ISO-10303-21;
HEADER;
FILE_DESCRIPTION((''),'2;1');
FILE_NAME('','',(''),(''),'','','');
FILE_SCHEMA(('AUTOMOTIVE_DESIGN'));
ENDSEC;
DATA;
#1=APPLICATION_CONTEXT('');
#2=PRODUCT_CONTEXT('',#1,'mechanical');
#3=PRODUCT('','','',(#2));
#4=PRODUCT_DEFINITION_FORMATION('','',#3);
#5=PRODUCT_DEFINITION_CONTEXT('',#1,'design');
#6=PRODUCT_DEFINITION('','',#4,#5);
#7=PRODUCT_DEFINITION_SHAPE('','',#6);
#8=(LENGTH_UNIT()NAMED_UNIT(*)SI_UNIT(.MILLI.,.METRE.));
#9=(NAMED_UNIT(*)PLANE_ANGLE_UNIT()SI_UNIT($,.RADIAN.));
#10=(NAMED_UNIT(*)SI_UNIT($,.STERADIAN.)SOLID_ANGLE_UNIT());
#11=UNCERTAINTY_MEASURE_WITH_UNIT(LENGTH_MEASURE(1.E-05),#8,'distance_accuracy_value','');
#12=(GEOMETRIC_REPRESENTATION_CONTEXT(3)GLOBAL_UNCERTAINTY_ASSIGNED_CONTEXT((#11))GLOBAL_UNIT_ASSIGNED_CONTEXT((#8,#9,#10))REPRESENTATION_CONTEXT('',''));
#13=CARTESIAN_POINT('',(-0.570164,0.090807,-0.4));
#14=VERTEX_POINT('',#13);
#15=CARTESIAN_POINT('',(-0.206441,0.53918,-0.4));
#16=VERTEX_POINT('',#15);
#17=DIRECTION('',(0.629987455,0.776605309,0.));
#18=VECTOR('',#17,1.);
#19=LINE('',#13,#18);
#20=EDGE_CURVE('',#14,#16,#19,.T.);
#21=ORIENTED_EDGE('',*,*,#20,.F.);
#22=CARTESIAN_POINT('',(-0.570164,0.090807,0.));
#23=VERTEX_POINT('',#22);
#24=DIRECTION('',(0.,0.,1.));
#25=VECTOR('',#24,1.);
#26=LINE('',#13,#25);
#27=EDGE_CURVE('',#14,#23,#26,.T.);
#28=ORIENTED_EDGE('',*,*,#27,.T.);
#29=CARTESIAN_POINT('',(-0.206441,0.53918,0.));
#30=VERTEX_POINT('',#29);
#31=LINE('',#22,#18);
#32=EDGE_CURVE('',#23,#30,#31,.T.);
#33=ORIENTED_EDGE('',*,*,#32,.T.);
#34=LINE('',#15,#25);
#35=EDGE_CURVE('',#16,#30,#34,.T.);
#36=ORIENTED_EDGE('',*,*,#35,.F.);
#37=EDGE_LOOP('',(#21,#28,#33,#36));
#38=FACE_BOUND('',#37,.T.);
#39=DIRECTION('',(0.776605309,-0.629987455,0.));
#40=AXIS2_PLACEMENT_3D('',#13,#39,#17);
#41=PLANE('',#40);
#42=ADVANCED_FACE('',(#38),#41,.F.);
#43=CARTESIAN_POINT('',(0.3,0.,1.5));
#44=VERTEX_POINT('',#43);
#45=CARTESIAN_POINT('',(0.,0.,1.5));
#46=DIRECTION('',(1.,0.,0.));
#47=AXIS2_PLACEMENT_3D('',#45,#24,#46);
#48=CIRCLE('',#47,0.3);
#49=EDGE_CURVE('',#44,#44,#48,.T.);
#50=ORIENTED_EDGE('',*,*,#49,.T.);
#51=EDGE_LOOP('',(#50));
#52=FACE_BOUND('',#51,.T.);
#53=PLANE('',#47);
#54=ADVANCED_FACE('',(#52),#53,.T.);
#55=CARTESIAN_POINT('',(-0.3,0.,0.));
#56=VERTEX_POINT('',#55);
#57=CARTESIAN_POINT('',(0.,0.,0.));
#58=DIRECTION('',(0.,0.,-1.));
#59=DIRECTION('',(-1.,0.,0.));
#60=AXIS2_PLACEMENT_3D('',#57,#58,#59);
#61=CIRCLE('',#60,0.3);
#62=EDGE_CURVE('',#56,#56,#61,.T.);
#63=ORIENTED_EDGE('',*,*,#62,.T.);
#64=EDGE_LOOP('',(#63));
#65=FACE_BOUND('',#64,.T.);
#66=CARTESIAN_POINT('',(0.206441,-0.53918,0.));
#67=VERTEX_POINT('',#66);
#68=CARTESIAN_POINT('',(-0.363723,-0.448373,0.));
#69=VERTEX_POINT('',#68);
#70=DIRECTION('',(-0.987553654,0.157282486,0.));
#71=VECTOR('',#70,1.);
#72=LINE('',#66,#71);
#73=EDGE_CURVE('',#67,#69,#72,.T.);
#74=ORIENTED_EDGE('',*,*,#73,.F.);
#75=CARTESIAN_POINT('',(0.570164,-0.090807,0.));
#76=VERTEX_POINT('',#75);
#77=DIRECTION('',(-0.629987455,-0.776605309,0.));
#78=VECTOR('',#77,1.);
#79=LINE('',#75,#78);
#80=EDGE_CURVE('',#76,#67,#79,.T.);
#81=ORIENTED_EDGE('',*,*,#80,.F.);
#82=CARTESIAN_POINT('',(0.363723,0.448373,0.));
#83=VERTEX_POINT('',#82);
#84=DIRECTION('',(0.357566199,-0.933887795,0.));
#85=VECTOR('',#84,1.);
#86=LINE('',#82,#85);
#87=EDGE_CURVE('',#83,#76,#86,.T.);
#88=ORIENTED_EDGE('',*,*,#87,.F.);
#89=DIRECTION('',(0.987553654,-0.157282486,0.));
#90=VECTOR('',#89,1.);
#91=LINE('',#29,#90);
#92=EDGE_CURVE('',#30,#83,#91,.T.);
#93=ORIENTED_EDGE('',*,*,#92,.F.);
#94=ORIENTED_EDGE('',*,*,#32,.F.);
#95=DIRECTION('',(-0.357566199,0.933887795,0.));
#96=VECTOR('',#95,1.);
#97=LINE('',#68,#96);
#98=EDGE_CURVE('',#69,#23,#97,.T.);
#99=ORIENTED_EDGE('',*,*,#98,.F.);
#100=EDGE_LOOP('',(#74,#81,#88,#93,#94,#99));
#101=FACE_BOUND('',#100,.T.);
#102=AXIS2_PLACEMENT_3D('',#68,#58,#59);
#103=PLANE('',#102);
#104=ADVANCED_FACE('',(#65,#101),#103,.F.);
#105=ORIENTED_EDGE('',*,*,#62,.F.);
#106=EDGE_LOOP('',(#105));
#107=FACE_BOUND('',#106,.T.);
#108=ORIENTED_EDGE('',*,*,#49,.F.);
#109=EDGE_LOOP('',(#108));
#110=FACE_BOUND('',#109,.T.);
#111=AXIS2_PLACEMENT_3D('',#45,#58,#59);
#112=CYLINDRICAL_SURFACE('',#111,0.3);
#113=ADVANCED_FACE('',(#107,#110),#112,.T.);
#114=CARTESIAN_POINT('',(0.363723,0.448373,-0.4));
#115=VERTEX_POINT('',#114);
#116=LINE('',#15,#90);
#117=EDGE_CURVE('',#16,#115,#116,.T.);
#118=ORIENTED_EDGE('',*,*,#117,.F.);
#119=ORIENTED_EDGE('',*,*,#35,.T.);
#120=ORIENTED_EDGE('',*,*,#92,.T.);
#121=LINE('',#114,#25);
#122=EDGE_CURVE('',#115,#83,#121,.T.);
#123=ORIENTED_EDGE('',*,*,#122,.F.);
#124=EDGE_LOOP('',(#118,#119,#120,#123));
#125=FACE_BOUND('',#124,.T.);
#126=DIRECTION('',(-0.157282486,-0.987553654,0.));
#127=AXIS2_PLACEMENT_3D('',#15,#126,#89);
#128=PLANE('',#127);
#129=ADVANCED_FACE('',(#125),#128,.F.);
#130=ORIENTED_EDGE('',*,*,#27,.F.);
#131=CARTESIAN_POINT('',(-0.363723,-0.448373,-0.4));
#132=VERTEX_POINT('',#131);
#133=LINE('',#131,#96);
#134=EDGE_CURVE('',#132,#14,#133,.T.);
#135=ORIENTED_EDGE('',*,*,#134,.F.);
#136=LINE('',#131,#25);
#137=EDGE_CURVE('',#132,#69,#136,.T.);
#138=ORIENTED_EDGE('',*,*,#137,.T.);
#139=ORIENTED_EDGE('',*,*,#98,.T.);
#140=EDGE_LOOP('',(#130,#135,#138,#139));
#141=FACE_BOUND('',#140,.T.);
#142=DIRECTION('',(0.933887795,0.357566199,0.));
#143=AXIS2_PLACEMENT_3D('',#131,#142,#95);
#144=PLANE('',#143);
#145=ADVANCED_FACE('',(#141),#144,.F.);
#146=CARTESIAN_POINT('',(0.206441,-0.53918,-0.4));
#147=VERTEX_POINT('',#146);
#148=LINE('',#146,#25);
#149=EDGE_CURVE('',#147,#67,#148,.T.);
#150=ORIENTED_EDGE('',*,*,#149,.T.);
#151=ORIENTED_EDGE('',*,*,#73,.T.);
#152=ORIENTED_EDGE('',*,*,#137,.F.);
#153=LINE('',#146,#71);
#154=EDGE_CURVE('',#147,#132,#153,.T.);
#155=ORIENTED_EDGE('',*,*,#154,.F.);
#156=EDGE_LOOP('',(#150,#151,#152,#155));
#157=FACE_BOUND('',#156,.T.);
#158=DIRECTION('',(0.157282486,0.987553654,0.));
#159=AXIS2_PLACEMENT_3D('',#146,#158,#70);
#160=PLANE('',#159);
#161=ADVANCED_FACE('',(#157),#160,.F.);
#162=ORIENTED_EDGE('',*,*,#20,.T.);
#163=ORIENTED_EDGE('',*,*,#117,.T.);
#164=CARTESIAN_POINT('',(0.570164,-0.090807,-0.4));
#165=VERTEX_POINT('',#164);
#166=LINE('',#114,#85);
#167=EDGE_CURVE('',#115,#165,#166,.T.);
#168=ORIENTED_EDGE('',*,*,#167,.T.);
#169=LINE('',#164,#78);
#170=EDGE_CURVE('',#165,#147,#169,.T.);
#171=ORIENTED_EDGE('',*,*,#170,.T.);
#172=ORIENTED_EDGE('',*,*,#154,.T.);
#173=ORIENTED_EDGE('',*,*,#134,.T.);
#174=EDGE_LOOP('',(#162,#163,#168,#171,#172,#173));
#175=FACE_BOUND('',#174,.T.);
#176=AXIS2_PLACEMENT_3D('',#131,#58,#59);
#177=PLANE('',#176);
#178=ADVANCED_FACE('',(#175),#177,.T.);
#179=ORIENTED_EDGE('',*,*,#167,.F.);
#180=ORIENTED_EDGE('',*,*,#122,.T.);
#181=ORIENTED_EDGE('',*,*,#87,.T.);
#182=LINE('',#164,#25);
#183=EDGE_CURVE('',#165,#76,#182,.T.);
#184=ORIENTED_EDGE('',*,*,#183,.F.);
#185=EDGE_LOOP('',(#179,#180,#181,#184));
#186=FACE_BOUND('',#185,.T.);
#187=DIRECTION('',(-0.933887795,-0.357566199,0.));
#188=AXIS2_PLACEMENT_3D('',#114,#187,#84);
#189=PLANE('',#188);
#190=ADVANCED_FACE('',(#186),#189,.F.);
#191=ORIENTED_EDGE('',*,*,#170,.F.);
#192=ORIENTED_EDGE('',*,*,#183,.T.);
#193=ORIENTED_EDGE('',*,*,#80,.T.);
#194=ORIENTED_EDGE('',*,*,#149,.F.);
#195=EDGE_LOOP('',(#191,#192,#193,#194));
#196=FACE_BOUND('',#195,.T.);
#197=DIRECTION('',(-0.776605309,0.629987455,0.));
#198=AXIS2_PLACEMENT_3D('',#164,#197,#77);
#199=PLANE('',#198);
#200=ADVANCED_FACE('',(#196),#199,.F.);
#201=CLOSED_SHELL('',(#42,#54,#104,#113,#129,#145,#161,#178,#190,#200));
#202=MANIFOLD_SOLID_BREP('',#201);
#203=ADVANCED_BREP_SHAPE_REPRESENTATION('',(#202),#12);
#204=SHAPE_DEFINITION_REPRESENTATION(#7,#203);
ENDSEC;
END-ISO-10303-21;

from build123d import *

# Parameters (mm, degrees)
SKETCH_1_R      = 0.3
EXTRUDE_1_DEPTH = 1.5
EXTRUDE_2_DEPTH = 0.4


with BuildPart() as part:
    # 草图1 → 凸台-拉伸1 (new body)
    with BuildSketch(Plane.XY):
        Circle(SKETCH_1_R)
    extrude(amount=EXTRUDE_1_DEPTH)

    # 草图2 → 凸台-拉伸2 (add)
    with BuildSketch(Plane(origin=(0, 0, 0), x_dir=(-1, 0, 0), z_dir=(0, 0, -1))):
        Polygon((0.363723427, -0.448373284), (0.570164368, 0.090807086), (0.206440941, 0.53918037), (-0.363723427, 0.448373284), (-0.570164368, -0.090807086), (-0.206440941, -0.53918037), align=None)
    extrude(amount=EXTRUDE_2_DEPTH)


solid = part.part
